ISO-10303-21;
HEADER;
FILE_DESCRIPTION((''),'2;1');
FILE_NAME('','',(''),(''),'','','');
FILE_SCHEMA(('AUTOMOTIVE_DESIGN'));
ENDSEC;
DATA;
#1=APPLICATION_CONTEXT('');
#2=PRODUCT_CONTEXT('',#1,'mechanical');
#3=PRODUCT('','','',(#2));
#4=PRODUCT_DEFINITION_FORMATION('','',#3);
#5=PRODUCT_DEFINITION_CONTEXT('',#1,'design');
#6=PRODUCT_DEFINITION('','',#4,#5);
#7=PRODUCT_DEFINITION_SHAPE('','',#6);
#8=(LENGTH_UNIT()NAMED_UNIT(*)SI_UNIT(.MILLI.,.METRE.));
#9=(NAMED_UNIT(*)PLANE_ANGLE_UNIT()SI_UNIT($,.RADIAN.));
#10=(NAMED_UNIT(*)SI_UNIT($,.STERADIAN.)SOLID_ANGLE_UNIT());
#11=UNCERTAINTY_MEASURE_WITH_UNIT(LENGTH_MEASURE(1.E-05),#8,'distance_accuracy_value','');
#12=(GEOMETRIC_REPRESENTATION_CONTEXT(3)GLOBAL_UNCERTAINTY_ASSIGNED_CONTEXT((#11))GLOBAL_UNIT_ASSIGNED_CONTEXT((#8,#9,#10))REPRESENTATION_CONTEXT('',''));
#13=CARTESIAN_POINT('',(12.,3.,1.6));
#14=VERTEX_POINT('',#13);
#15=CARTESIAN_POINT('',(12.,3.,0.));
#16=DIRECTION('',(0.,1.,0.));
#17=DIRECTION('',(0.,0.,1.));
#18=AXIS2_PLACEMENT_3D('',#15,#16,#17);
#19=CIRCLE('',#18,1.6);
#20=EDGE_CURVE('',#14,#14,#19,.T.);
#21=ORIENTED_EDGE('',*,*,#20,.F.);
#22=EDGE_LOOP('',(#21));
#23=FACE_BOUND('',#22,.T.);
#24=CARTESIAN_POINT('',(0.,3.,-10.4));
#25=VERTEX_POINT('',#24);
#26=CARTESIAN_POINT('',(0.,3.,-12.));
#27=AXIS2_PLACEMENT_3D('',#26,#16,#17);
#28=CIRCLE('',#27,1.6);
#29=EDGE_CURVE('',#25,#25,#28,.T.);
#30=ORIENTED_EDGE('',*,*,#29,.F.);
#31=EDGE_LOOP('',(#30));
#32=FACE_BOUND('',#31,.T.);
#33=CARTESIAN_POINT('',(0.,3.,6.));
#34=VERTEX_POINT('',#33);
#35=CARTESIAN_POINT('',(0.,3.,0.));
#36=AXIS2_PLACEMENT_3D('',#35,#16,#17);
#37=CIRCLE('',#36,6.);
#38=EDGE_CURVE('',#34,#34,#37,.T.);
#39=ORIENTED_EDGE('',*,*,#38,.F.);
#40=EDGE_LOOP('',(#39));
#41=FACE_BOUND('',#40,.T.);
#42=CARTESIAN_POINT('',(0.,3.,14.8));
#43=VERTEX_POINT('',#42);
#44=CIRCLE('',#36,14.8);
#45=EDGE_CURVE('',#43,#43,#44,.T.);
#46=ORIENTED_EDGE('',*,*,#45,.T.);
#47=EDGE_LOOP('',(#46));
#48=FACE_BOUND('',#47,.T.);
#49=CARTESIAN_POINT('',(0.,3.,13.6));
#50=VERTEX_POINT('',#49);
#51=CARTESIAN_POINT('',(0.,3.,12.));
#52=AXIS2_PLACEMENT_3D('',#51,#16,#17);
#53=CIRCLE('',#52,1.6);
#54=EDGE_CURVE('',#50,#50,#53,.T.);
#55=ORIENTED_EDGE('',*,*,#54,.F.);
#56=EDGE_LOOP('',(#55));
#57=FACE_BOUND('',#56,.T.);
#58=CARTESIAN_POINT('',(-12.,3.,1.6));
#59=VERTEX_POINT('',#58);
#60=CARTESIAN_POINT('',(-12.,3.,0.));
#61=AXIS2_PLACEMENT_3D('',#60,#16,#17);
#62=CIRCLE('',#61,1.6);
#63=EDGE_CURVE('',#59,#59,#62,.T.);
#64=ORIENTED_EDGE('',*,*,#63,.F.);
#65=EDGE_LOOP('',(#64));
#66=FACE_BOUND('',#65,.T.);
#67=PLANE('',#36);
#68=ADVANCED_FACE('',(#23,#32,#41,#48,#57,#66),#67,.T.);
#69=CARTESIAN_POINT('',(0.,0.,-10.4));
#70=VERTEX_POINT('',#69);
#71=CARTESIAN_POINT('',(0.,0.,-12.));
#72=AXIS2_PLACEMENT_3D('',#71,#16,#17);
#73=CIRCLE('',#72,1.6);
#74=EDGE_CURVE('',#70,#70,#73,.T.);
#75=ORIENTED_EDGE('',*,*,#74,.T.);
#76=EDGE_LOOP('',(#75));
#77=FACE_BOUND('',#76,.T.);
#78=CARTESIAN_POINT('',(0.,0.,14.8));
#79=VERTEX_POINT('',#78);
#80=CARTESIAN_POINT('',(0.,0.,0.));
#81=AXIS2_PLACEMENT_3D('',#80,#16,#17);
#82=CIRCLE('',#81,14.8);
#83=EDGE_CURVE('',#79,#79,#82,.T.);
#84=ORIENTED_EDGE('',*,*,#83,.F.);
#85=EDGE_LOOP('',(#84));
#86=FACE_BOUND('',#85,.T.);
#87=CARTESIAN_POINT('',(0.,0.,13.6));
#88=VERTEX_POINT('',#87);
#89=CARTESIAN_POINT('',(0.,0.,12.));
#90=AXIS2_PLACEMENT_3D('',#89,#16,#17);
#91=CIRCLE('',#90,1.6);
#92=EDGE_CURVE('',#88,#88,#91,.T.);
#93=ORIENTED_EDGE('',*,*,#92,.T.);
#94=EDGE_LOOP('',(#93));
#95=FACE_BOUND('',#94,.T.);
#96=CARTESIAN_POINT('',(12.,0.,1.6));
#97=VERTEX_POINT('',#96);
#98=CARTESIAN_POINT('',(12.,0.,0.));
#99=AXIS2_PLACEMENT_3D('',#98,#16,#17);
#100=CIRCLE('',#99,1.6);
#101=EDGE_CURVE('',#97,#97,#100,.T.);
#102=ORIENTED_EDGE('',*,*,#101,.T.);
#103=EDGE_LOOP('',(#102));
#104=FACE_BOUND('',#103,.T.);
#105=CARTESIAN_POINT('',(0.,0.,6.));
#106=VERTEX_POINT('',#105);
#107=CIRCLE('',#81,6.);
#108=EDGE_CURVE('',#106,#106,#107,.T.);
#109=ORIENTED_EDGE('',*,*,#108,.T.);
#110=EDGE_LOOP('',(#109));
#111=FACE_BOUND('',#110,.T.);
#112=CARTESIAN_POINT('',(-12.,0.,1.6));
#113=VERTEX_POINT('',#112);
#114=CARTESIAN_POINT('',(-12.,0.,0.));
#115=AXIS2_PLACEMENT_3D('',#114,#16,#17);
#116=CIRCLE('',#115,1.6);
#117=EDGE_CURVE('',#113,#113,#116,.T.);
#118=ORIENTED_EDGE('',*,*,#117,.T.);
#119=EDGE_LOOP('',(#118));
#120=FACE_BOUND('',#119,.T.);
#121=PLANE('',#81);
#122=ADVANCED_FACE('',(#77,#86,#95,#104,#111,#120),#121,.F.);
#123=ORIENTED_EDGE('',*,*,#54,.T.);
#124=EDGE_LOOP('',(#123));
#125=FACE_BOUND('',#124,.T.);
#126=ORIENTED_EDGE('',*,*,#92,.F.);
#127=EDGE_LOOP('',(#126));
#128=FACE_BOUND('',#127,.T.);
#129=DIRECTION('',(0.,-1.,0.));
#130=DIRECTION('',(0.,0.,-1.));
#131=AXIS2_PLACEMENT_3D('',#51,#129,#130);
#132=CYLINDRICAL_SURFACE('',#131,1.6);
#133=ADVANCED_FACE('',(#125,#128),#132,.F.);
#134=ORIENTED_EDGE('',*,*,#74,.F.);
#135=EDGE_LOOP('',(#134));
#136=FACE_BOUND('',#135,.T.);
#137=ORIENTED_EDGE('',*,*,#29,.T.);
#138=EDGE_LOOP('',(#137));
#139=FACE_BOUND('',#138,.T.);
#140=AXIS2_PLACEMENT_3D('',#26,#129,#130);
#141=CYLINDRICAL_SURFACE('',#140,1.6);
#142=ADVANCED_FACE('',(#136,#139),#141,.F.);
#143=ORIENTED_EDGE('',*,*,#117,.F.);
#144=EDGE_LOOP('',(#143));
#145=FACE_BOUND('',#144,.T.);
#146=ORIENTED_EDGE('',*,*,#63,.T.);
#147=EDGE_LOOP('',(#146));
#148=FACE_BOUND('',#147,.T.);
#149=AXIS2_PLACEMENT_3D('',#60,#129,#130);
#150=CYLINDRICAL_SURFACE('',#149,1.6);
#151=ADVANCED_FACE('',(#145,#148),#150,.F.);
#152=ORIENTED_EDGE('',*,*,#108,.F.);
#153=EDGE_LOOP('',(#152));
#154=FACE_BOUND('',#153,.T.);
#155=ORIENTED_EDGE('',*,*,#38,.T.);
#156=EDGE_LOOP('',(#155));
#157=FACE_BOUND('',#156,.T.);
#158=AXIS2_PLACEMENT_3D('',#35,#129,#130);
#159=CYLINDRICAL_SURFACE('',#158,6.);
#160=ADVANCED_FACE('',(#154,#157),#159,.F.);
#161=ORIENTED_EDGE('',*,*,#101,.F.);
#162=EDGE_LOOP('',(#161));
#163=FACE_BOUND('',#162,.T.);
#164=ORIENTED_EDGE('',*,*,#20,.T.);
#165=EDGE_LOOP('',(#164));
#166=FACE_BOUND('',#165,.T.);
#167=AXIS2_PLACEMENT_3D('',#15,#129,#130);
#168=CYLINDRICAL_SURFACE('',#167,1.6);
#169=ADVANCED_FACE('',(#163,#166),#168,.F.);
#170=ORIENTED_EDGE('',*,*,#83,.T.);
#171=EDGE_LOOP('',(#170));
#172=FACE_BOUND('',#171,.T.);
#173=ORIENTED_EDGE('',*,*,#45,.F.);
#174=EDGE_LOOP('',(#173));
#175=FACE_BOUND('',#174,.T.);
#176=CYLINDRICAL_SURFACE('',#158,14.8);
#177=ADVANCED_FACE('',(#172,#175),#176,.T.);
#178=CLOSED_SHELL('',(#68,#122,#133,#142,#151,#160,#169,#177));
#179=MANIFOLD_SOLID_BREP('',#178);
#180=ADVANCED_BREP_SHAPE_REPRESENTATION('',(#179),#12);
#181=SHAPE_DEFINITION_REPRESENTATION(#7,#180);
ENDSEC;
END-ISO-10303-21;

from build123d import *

# Parameters (mm, degrees)
SKETCH_1_R      = 14.8
SKETCH_1_R_2    = 6
SKETCH_1_R_3    = 1.6
EXTRUDE_1_DEPTH = 3


with BuildPart() as part:
    # 草图1 → 凸台-拉伸1 (new body)
    with BuildSketch(Plane(origin=(0, 0, 0), x_dir=(1, 0, 0), z_dir=(0, 1, 0))):
        Circle(SKETCH_1_R)
        Circle(SKETCH_1_R_2, mode=Mode.SUBTRACT)
        with Locations((12, 0)):
            Circle(SKETCH_1_R_3, mode=Mode.SUBTRACT)
        with Locations((0, -12)):
            Circle(SKETCH_1_R_3, mode=Mode.SUBTRACT)
        with Locations((-12, 0)):
            Circle(SKETCH_1_R_3, mode=Mode.SUBTRACT)
        with Locations((0, 12)):
            Circle(SKETCH_1_R_3, mode=Mode.SUBTRACT)
    extrude(amount=EXTRUDE_1_DEPTH)


solid = part.part
